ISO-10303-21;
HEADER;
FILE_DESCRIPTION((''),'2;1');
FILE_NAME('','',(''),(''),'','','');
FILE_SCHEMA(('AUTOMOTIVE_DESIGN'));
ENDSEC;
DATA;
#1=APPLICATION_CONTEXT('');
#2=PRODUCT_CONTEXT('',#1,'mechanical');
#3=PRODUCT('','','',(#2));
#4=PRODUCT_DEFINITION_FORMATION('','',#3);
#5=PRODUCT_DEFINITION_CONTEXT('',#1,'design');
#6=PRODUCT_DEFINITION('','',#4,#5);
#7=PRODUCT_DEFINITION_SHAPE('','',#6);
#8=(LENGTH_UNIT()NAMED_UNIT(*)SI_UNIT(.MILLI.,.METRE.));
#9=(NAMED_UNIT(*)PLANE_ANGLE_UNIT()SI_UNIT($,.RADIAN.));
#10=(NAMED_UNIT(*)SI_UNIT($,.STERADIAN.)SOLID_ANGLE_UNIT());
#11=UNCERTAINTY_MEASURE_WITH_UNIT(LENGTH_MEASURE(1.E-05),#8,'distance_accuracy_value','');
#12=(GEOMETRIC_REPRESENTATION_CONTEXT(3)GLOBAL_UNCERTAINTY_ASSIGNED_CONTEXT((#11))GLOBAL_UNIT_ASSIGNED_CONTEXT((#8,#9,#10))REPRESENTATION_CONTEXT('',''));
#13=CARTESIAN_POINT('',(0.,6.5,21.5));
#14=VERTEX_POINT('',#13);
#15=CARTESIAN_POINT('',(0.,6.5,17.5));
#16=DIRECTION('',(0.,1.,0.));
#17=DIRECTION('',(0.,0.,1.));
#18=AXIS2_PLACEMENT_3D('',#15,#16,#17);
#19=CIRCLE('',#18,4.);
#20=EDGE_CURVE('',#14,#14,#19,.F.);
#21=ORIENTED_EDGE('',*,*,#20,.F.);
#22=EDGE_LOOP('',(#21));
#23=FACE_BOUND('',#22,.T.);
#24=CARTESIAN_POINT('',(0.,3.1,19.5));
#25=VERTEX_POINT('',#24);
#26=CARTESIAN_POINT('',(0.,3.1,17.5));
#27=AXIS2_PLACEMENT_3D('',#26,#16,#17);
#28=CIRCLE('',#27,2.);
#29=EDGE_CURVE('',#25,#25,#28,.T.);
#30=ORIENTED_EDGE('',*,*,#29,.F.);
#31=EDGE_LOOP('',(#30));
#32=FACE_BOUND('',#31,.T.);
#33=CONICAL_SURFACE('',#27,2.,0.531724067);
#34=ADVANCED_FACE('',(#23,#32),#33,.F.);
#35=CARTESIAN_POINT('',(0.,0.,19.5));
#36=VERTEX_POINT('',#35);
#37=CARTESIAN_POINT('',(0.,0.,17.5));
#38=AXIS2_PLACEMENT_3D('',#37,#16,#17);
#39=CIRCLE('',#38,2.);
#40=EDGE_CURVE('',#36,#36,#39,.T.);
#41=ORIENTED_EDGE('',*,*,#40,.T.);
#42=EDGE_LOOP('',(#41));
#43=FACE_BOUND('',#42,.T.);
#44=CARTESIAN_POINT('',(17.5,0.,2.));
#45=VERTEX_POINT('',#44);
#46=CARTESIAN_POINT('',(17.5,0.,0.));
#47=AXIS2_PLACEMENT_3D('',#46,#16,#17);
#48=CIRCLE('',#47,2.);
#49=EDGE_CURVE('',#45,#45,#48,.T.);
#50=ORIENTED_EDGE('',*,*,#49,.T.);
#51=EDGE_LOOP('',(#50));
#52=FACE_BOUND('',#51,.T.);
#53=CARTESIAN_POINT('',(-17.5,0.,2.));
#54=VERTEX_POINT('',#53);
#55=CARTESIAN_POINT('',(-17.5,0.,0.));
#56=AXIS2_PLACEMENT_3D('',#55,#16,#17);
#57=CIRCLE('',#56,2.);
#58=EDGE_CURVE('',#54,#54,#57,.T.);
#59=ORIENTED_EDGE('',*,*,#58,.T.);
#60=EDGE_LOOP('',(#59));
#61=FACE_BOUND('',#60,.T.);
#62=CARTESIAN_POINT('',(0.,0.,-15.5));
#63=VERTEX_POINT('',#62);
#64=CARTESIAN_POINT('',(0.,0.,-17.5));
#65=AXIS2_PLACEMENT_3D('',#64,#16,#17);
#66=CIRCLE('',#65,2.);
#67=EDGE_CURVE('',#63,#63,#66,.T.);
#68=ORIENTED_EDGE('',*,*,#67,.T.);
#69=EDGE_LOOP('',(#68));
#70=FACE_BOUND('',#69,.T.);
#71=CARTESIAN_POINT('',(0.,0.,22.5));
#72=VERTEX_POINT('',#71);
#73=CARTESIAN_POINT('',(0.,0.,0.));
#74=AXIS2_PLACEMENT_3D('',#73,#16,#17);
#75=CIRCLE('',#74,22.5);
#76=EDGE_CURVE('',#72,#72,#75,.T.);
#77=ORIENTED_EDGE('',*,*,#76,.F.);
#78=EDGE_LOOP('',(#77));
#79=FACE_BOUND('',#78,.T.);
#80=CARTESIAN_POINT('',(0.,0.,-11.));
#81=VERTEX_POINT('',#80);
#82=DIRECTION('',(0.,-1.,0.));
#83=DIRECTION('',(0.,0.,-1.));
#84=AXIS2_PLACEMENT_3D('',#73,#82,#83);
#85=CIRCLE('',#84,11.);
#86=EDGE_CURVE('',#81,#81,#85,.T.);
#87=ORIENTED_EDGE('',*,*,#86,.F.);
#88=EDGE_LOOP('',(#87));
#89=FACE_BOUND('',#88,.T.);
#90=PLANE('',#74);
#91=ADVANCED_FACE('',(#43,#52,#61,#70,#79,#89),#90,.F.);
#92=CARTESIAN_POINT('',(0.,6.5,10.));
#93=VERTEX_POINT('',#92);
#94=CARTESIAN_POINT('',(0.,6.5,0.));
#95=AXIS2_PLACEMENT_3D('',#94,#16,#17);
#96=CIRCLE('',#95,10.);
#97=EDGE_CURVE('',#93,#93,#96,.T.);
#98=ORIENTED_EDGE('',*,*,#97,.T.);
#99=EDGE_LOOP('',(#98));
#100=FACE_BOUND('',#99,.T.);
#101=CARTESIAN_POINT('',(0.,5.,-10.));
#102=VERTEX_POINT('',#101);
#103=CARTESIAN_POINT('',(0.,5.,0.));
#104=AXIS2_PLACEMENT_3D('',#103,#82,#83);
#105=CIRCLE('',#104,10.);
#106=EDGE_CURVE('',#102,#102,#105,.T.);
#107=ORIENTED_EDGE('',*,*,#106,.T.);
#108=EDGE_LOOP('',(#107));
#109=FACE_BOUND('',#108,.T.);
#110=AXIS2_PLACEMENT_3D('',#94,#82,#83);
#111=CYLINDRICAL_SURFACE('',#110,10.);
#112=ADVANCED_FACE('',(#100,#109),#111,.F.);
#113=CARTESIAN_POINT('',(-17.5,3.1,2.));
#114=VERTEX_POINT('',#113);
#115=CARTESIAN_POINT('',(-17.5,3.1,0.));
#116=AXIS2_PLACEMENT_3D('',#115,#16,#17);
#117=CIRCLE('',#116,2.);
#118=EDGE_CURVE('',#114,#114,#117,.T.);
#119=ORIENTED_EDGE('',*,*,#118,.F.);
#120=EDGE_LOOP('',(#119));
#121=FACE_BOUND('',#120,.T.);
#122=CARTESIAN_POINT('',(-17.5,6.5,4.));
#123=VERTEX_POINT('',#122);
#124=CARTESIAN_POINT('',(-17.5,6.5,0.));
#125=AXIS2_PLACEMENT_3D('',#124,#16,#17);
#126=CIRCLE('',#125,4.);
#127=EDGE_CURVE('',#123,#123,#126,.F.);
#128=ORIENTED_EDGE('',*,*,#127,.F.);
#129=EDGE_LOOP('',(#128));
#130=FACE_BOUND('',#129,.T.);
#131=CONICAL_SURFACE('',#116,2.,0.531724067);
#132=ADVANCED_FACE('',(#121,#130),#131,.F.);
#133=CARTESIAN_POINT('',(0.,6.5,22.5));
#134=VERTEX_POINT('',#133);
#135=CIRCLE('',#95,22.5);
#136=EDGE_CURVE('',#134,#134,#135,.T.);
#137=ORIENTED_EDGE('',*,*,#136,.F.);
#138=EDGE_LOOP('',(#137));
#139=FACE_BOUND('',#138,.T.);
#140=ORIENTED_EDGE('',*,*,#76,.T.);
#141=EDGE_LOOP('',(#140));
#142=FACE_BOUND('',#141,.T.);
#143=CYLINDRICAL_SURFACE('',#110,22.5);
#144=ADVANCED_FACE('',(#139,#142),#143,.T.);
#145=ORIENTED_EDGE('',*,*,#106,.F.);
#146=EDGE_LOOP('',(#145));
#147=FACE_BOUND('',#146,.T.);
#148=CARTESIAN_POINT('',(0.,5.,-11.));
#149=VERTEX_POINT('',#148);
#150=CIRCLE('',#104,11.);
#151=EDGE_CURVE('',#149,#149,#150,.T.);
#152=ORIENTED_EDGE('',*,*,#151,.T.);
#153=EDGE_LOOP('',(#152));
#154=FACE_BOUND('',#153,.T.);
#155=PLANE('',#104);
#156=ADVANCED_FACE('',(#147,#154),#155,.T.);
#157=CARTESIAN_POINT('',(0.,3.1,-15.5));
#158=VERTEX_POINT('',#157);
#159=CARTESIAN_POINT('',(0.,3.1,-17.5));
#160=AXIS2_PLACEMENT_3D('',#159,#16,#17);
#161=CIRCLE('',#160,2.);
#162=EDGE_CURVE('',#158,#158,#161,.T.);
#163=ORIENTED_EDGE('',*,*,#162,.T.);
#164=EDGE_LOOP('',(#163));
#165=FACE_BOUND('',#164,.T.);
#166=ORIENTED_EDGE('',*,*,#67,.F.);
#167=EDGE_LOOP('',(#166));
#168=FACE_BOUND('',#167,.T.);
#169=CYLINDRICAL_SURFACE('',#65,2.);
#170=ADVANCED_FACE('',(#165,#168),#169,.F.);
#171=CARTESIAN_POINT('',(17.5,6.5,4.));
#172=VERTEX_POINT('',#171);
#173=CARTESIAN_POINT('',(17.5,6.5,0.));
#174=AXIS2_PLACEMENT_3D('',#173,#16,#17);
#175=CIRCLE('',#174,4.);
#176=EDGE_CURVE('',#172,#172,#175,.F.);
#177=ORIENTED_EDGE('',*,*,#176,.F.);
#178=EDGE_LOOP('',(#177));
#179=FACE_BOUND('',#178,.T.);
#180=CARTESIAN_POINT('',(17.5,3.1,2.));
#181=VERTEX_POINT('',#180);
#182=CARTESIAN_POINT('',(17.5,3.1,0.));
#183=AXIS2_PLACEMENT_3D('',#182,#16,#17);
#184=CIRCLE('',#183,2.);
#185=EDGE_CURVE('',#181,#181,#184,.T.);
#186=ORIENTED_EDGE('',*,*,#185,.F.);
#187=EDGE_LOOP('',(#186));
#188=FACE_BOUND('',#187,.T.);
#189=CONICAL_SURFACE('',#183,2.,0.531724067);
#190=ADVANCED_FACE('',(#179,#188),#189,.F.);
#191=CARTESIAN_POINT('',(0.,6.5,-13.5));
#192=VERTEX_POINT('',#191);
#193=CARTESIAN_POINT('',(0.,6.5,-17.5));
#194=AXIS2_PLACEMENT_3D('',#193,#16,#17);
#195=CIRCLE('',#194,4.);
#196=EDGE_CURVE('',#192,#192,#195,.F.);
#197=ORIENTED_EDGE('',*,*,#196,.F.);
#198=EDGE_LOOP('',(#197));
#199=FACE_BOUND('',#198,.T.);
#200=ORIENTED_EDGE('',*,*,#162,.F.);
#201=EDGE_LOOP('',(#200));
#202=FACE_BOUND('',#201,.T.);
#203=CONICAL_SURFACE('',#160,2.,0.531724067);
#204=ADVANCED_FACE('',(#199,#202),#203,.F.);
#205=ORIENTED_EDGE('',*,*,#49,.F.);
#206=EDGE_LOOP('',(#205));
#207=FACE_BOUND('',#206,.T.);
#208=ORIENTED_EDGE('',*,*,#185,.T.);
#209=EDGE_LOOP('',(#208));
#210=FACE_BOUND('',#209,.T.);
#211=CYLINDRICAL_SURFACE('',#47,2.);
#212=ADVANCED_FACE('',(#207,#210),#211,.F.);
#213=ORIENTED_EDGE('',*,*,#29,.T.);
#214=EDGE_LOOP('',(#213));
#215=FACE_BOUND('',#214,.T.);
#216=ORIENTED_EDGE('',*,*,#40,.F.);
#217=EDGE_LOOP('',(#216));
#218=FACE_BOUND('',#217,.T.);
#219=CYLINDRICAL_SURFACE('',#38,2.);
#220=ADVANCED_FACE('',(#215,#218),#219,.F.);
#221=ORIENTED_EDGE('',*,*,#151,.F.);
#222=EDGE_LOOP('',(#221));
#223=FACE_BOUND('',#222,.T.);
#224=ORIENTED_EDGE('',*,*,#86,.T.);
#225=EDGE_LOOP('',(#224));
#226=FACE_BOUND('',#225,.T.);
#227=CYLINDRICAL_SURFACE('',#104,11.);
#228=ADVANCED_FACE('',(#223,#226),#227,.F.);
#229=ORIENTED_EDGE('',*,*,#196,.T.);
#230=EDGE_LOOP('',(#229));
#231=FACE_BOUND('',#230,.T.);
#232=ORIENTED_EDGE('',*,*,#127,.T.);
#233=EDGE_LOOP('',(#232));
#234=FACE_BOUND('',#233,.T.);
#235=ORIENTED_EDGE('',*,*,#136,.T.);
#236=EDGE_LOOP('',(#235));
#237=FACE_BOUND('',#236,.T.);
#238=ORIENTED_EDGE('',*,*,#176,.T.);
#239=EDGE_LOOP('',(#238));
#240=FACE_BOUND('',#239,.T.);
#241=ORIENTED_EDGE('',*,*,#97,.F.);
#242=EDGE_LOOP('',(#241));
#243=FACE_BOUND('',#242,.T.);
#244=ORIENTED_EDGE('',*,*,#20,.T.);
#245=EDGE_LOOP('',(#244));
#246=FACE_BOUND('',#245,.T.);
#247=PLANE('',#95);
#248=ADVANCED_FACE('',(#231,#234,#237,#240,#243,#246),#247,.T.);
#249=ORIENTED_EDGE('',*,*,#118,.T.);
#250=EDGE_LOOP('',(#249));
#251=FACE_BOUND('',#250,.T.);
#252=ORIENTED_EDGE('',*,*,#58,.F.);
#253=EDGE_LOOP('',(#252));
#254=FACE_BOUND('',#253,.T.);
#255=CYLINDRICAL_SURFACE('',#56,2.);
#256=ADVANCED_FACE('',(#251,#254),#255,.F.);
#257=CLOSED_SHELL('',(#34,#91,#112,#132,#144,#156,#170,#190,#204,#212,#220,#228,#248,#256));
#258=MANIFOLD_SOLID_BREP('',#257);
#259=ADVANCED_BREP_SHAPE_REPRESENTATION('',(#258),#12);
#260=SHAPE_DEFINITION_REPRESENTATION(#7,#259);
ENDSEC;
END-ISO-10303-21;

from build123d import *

# Parameters (mm, degrees)
SKETCH_1_R          = 22.5
SKETCH_1_R_2        = 10
EXTRUDE_1_DEPTH     = 6.5
SKETCH_2_R          = 2
CUT_EXTRUDE_1_DEPTH = 7.5
SKETCH_3_R          = 11
CUT_EXTRUDE_2_DEPTH = 5
CHAMFER_1_SIZE      = 2
CHAMFER_1_SIZE2     = 3.4


with BuildPart() as part:
    # 草图1 → 凸台-拉伸1 (new body)
    with BuildSketch(Plane(origin=(0, 0, 0), x_dir=(1, 0, 0), z_dir=(0, 1, 0))):
        Circle(SKETCH_1_R)
        Circle(SKETCH_1_R_2, mode=Mode.SUBTRACT)
    extrude(amount=EXTRUDE_1_DEPTH)

    # 草图2 → 切除-拉伸1 (cut, through all)
    with BuildSketch(Plane(origin=(0, 6.5, 0), x_dir=(1, 0, 0), z_dir=(0, 1, 0))):
        with Locations((0, 17.5)):
            Circle(SKETCH_2_R)
        with Locations((17.5, 0)):
            Circle(SKETCH_2_R)
        with Locations((0, -17.5)):
            Circle(SKETCH_2_R)
        with Locations((-17.5, 0)):
            Circle(SKETCH_2_R)
    extrude(amount=-CUT_EXTRUDE_1_DEPTH, mode=Mode.SUBTRACT)

    # 草图3 → 切除-拉伸2 (cut)
    with BuildSketch(Plane.XZ):
        Circle(SKETCH_3_R)
    extrude(amount=-CUT_EXTRUDE_2_DEPTH, mode=Mode.SUBTRACT)

    # 倒角1
    chamfer_1_edges = [part.edges().sort_by_distance(p)[0] for p in [
        (-2, 6.5, -17.5),
        (15.5, 6.5, 0),
        (-2, 6.5, 17.5),
        (-19.5, 6.5, 0),
    ]]
    chamfer_1_side = [part.faces().sort_by_distance(p)[0] for p in [
        (-21.863603897, 6.5, 0),
    ]]
    chamfer(chamfer_1_edges, length=CHAMFER_1_SIZE, length2=CHAMFER_1_SIZE2, reference=chamfer_1_side[0])


solid = part.part
